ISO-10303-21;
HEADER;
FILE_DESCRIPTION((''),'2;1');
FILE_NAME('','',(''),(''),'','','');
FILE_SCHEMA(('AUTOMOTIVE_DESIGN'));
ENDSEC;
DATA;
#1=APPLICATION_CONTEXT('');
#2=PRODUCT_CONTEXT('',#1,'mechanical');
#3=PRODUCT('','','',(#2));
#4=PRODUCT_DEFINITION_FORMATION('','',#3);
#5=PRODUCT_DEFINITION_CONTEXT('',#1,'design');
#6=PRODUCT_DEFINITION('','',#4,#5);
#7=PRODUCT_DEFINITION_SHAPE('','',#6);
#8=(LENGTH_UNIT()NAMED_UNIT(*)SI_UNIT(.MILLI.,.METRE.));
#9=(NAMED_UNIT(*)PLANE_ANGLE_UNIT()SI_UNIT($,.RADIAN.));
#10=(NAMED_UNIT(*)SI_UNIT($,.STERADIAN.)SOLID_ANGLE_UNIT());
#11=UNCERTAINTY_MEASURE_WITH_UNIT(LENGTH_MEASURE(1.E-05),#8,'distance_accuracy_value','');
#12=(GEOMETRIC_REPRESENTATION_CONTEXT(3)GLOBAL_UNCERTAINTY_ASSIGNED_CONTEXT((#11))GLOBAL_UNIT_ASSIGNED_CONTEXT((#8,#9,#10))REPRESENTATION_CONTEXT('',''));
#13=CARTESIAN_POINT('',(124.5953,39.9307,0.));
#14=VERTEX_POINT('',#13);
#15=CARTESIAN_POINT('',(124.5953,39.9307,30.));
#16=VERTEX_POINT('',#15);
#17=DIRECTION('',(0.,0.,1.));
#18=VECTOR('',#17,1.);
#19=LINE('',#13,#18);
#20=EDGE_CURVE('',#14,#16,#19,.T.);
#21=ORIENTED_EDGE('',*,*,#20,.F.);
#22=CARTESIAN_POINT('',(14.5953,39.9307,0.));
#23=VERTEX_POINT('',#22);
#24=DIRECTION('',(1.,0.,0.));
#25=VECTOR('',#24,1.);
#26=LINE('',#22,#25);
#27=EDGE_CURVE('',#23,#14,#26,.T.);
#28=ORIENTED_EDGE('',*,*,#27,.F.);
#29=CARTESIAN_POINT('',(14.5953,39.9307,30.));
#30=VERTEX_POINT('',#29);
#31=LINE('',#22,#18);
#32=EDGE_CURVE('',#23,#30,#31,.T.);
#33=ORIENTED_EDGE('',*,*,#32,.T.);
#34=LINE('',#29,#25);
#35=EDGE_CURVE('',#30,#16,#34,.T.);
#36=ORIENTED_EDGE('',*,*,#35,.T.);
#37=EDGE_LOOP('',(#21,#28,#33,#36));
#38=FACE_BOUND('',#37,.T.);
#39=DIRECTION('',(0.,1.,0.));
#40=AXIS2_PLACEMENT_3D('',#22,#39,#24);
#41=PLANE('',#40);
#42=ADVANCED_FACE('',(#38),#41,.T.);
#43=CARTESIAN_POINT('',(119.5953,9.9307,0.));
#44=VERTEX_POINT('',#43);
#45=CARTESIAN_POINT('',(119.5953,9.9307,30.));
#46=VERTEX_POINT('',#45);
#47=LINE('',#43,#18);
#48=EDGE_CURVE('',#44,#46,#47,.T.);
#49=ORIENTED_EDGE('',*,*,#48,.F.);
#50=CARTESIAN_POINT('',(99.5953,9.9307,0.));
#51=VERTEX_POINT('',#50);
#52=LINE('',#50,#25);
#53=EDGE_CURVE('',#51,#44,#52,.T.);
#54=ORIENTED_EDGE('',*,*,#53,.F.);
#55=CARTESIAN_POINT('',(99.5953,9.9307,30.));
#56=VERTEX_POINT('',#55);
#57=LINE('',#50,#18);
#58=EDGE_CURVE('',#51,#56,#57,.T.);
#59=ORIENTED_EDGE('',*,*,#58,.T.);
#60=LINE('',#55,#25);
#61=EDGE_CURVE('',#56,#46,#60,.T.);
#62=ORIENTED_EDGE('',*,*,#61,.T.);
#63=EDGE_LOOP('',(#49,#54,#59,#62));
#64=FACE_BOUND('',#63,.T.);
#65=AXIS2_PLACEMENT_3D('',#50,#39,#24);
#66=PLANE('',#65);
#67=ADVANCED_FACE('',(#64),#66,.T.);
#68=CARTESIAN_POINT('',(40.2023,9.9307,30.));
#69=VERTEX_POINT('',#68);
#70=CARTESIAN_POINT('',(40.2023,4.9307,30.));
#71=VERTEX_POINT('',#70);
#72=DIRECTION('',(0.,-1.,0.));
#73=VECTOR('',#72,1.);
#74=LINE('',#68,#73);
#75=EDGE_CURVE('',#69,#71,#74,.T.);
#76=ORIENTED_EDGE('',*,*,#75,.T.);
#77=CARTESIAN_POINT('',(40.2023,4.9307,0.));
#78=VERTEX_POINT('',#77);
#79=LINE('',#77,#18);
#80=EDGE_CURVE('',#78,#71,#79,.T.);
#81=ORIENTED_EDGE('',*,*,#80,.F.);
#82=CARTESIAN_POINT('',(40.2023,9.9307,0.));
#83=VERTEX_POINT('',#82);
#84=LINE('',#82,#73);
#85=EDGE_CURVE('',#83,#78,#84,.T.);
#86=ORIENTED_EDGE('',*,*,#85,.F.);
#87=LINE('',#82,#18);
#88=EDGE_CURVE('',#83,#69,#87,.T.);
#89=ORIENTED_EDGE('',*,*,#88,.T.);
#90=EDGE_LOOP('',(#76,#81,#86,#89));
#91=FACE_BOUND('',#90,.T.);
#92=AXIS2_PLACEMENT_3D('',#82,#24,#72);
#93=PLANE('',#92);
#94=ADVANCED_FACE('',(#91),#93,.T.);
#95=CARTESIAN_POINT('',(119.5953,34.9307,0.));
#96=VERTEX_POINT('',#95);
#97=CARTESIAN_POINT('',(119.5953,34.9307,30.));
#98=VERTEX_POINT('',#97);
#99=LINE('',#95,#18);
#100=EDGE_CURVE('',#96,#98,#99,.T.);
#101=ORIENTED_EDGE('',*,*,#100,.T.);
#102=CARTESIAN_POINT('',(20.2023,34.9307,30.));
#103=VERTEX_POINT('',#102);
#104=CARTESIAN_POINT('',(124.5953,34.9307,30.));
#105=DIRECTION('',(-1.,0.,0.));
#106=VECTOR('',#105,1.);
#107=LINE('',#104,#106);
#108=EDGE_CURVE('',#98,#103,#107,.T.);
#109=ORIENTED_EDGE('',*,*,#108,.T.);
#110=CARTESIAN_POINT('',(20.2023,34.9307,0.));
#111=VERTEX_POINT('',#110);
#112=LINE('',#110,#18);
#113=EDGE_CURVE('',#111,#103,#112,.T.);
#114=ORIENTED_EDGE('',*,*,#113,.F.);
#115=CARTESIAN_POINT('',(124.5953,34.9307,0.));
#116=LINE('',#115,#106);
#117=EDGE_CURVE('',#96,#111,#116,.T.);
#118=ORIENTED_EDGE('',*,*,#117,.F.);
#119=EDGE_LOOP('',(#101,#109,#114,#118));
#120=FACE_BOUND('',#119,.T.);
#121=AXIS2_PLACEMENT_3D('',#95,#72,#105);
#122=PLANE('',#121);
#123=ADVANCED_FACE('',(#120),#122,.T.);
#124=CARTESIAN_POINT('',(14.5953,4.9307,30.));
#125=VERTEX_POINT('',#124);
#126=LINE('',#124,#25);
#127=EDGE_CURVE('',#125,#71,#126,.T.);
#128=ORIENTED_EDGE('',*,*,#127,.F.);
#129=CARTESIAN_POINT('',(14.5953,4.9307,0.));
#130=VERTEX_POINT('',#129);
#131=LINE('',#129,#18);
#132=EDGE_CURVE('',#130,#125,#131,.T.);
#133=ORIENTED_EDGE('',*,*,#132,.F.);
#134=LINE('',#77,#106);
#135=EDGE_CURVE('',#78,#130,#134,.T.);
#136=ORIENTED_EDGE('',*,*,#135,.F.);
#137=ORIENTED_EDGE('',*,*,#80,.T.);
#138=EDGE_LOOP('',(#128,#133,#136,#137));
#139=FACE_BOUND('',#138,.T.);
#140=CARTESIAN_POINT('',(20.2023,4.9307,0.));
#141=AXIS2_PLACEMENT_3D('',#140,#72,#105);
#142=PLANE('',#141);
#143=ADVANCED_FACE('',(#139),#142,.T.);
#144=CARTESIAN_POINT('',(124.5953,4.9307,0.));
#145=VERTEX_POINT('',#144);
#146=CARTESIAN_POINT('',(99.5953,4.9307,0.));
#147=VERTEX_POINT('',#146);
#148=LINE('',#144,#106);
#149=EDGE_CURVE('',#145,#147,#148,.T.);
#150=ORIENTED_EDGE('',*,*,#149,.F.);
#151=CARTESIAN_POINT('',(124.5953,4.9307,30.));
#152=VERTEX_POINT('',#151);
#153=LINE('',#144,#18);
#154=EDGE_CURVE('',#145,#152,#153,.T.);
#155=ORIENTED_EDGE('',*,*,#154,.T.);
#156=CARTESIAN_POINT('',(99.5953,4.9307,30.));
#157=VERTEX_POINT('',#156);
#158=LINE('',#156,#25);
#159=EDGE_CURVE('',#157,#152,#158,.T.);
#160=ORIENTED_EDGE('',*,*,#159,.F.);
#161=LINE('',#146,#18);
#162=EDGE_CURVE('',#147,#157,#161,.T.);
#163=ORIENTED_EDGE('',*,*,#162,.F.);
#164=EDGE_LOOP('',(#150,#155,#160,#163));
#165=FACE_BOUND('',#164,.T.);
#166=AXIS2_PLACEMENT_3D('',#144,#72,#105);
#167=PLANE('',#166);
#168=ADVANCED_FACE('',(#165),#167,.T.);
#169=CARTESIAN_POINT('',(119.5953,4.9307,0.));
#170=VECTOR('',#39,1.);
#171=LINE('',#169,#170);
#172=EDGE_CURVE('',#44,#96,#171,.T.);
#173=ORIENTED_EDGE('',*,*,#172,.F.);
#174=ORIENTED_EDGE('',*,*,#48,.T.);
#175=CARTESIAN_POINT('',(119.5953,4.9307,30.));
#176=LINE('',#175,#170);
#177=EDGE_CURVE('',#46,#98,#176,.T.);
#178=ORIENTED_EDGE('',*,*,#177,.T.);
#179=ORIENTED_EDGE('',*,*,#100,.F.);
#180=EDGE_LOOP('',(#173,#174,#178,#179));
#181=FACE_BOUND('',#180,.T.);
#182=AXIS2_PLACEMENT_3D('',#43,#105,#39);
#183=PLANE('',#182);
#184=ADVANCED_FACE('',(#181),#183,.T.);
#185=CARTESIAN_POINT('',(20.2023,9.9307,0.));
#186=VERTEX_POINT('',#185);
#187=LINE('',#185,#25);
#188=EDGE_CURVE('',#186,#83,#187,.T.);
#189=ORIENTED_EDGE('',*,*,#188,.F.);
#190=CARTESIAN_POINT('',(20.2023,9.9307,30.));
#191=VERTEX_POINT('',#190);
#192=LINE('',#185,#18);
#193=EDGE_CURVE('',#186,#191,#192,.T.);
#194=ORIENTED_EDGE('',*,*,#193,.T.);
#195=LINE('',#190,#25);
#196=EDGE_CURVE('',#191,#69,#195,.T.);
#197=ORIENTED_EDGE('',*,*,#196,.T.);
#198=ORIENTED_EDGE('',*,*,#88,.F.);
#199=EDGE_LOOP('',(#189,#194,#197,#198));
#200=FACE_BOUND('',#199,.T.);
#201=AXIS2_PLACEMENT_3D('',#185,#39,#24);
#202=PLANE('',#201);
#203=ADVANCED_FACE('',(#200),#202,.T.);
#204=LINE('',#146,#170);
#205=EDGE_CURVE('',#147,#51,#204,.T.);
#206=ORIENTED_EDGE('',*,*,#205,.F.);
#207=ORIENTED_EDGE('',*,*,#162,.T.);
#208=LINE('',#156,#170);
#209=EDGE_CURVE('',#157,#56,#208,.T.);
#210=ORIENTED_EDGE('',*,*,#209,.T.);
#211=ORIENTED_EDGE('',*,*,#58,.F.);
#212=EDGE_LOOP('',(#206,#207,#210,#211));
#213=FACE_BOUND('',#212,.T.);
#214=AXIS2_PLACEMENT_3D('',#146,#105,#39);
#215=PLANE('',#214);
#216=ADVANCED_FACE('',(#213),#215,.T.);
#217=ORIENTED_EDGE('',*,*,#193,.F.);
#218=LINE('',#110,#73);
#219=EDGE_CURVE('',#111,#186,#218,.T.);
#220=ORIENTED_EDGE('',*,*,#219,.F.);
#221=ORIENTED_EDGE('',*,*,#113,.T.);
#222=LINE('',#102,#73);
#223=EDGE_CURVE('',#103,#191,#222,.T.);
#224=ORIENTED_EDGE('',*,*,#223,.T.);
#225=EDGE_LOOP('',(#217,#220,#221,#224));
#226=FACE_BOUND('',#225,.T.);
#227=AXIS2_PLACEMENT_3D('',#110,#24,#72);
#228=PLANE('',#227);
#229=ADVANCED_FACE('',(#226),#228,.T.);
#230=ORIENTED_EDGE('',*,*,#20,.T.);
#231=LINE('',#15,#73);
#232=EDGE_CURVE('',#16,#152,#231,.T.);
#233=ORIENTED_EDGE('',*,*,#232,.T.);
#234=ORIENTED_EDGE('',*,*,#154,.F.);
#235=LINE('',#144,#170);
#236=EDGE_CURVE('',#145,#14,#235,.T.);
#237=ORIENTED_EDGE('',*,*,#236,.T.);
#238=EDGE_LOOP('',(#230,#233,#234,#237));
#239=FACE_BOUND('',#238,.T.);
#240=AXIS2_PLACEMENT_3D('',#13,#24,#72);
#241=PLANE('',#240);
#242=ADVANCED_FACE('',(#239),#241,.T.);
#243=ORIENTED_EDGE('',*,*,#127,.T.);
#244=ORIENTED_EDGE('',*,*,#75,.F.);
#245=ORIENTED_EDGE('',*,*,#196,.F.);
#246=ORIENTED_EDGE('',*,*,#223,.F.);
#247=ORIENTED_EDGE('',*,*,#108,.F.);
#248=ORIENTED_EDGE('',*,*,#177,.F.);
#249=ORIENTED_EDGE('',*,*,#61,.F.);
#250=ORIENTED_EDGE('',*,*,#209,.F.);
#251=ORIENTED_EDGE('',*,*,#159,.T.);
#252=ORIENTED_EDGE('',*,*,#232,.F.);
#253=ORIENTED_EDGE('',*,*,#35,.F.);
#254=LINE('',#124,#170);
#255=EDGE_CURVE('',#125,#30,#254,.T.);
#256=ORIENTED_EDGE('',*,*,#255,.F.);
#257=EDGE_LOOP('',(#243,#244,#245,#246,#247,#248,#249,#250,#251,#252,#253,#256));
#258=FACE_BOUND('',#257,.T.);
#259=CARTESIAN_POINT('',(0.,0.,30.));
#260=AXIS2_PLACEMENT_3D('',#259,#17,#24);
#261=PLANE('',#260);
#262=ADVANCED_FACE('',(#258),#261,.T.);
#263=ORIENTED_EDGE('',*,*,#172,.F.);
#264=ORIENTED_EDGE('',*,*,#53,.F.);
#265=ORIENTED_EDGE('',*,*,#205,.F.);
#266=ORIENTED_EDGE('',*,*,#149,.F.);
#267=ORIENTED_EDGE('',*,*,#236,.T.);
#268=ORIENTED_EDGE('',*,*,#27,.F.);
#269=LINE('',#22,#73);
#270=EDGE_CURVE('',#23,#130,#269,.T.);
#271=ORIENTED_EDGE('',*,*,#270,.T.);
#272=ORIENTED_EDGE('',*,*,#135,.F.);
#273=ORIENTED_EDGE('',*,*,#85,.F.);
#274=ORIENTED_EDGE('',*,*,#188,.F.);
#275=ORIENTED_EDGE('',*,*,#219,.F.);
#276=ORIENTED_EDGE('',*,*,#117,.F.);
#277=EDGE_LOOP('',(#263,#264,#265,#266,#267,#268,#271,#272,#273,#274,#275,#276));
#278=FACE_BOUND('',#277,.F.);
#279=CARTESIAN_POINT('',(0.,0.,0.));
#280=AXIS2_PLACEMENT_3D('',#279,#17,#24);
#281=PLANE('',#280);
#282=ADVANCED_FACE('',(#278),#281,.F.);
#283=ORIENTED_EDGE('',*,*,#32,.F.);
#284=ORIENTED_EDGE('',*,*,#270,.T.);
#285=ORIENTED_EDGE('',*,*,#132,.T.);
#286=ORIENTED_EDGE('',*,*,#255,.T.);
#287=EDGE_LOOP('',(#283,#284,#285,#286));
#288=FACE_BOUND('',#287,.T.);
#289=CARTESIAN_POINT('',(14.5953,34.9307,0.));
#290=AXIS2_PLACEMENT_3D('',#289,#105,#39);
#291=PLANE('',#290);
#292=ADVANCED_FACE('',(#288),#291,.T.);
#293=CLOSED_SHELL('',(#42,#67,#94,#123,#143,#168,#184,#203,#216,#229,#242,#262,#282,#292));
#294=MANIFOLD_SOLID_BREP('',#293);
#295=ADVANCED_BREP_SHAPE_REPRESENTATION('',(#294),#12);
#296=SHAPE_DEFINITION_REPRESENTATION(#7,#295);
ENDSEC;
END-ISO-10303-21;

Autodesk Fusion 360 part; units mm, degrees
sketch "Sketch1" plane through (0, 0, 0) normal (0, 0, 1) x (1, 0, 0)
sketch "Sketch2" plane through (0, 0, 0) normal (0, 0, 1) x (1, 0, 0)
  line L0 (14.5953, 39.9307) -> (124.5953, 39.9307)
  line L1 (124.5953, 39.9307) -> (124.5953, 34.9307)
  line L2 (124.5953, 34.9307) -> (14.5953, 34.9307)
  line L3 (14.5953, 34.9307) -> (14.5953, 39.9307)
  line L4 (14.5953, 34.9307) -> (20.2023, 34.9307)
  line L5 (20.2023, 34.9307) -> (20.2023, 4.9307)
  line L6 (20.2023, 4.9307) -> (14.5953, 4.9307)
  line L7 (14.5953, 4.9307) -> (14.5953, 34.9307)
  line L8 (124.5953, 34.9307) -> (124.5953, 4.9307)
  line L9 (124.5953, 4.9307) -> (119.5953, 4.9307)
  line L10 (119.5953, 4.9307) -> (119.5953, 34.9307)
  line L11 (20.2023, 9.9307) -> (40.2023, 9.9307)
  line L12 (40.2023, 9.9307) -> (40.2023, 4.9307)
  line L13 (40.2023, 4.9307) -> (20.2023, 4.9307)
  line L14 (20.2023, 4.9307) -> (20.2023, 9.9307)
  line L15 (99.5953, 9.9307) -> (119.5953, 9.9307)
  line L16 (119.5953, 9.9307) -> (119.5953, 4.9307)
  line L17 (119.5953, 4.9307) -> (99.5953, 4.9307)
  line L18 (99.5953, 4.9307) -> (99.5953, 9.9307)
  dimension "d1" = 110
  dimension "d2" = 5
  dimension "d3" = 30
  dimension "d4" = 5
  dimension "d5" = 30
  dimension "d6" = 20
  dimension "d7" = 5
  dimension "d8" = 20
  dimension "d9" = 5
extrude "Extrude1" add sketch "Sketch2" along normal blind 30
